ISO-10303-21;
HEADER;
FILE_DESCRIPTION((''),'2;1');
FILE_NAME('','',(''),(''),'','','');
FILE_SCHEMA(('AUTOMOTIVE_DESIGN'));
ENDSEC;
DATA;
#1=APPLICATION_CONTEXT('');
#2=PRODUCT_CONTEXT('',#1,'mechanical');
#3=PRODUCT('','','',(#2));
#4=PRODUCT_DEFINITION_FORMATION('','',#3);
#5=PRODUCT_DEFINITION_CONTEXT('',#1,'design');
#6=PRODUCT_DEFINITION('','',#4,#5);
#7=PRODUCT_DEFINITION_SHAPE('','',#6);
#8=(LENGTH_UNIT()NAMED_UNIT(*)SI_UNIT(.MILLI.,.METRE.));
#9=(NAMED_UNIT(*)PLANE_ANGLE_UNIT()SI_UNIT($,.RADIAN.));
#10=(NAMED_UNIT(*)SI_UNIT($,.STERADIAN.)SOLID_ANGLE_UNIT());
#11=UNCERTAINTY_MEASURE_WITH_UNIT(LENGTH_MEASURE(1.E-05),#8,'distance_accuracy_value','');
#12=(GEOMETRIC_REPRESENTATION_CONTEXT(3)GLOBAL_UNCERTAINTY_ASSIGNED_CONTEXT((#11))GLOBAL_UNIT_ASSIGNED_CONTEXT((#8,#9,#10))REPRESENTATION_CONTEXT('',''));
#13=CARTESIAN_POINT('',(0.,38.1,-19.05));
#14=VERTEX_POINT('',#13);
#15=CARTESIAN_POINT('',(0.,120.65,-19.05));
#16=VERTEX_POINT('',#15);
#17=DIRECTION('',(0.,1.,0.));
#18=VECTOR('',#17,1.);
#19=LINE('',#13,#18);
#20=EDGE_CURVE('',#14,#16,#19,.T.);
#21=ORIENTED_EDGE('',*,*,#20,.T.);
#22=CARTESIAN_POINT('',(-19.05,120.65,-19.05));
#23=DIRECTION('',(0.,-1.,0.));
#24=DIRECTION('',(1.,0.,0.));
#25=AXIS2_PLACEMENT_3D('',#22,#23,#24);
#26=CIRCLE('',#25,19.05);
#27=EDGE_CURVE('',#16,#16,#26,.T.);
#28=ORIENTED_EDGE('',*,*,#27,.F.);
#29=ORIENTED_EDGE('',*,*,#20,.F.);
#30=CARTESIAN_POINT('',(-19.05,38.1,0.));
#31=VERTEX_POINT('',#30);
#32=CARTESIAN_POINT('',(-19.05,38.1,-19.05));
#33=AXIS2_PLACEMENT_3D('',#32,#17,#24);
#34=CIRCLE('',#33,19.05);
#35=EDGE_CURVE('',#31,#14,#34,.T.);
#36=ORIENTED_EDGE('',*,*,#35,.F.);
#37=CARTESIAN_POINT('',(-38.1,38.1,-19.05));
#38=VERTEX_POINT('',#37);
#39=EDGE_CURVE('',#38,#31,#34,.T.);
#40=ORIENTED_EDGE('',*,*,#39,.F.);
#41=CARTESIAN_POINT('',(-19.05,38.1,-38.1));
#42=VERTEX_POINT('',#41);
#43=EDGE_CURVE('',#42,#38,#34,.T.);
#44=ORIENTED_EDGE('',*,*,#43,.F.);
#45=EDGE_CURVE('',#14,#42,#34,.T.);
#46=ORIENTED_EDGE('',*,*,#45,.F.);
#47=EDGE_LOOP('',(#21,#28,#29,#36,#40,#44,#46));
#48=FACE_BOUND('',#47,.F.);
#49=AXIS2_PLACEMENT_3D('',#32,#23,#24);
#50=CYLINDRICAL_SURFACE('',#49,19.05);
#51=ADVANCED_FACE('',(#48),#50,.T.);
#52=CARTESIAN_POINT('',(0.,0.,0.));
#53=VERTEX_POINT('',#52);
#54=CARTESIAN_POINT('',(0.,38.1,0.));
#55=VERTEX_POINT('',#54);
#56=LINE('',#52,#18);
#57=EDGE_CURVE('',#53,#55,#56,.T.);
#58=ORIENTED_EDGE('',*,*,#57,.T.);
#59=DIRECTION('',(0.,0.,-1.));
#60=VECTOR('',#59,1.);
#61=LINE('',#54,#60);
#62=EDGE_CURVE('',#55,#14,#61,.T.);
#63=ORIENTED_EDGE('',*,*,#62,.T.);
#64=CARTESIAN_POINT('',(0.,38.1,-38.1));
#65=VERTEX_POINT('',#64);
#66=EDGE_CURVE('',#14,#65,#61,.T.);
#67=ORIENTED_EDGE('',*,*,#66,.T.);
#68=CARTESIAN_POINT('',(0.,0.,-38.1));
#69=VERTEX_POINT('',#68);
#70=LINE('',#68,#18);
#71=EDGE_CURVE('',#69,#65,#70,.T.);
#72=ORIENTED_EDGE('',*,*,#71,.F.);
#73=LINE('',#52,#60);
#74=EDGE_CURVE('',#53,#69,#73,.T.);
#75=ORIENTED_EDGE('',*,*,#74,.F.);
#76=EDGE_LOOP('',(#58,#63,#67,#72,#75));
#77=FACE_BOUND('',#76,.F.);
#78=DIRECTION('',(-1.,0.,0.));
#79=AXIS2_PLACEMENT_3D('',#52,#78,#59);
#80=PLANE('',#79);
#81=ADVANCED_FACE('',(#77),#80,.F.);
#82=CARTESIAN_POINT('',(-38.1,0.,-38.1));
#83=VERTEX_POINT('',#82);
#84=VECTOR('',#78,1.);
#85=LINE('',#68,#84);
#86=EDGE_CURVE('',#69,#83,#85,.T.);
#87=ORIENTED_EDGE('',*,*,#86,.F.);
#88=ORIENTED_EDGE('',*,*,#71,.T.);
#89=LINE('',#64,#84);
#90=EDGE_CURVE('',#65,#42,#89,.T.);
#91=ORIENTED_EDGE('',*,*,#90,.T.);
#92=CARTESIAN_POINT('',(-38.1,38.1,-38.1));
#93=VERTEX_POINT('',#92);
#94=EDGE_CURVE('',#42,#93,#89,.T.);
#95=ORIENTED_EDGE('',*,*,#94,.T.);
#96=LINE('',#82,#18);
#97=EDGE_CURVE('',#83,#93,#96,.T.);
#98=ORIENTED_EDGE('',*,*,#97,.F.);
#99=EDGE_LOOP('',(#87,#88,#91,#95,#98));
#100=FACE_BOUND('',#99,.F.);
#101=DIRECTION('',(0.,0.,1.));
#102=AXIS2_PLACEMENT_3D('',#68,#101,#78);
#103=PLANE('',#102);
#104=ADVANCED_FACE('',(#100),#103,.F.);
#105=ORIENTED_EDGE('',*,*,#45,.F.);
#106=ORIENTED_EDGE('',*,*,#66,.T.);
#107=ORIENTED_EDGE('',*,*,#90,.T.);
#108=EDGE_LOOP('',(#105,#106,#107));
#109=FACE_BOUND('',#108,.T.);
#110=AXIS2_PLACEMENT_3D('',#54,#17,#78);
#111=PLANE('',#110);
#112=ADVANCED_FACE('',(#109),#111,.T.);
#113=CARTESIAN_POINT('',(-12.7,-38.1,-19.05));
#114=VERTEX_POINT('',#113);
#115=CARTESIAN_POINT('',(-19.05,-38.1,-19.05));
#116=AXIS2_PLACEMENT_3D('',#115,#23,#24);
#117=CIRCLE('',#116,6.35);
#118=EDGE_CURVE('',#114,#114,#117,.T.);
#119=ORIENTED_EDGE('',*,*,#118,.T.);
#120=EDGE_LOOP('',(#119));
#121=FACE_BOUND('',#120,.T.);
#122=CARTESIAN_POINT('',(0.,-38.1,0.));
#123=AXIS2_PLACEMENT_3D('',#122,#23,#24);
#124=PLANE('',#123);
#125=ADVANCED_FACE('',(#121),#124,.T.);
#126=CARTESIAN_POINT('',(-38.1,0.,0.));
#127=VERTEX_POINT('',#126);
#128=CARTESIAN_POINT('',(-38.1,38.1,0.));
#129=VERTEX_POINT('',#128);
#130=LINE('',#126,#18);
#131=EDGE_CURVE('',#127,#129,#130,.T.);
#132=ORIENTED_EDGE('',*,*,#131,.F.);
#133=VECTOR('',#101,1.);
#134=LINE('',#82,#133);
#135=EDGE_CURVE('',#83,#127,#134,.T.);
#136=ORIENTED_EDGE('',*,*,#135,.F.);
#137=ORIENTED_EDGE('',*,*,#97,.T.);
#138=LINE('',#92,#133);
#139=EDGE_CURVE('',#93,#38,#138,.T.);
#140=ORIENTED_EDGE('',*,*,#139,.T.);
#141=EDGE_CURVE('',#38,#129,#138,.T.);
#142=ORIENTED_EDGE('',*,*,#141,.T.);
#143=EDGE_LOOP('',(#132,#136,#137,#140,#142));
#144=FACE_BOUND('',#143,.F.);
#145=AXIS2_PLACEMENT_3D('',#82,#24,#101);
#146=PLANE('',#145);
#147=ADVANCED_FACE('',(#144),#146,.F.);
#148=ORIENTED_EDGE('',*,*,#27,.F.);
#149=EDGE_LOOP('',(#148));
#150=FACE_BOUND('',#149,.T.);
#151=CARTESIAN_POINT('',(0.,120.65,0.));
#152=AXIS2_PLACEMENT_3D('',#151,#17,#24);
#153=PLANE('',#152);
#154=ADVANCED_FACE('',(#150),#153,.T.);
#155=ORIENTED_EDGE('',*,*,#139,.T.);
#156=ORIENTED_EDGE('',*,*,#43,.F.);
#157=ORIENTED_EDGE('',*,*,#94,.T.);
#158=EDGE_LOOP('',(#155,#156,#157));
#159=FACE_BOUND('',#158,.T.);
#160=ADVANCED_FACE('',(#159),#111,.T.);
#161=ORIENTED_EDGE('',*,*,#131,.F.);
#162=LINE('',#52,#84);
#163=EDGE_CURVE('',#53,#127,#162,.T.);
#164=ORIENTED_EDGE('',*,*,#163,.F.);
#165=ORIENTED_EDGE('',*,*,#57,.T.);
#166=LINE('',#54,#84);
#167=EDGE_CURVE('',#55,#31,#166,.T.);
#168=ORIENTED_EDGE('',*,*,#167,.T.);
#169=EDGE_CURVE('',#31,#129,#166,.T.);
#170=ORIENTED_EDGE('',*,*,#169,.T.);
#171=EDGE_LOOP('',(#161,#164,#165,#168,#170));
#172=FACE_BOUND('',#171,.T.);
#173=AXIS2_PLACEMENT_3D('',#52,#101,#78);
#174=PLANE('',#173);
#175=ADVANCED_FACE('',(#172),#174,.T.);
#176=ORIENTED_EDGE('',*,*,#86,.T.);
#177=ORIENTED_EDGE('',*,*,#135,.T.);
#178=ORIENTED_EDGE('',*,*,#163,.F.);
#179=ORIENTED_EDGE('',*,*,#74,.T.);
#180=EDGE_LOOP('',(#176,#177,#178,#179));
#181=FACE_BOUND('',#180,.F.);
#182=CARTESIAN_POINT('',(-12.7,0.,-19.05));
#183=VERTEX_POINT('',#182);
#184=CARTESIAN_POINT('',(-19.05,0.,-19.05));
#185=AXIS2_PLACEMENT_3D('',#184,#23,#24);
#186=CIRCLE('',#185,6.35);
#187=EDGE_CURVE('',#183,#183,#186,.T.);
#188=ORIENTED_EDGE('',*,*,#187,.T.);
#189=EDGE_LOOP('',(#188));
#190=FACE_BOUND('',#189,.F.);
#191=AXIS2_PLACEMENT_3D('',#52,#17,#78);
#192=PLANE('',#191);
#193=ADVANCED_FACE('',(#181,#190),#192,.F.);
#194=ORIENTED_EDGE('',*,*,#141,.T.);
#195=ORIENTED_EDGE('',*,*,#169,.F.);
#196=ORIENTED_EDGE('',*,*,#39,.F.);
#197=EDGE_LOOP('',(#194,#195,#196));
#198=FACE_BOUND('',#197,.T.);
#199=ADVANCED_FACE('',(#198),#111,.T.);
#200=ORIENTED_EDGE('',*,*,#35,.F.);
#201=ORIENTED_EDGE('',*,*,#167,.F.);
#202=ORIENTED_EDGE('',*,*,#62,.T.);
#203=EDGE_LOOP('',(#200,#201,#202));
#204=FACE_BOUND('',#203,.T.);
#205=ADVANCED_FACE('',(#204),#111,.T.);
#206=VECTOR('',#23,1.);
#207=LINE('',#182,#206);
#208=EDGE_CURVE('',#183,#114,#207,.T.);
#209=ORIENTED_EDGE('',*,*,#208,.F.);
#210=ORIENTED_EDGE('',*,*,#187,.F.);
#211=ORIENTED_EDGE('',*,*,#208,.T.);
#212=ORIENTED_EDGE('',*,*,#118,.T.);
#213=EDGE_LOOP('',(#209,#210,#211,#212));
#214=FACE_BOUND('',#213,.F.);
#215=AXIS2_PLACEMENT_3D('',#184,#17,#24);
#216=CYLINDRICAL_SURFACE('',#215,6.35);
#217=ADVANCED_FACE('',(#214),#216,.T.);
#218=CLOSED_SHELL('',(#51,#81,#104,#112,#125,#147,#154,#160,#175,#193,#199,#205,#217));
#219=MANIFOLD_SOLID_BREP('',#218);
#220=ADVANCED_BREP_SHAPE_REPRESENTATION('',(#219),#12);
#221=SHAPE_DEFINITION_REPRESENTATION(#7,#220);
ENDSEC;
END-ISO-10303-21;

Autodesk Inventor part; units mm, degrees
ref_plane "YZ Plane" through (0, 0, 0) normal (1, 0, 0) x (0, 1, 0)
ref_plane "XZ Plane" through (0, 0, 0) normal (0, 1, 0) x (-1, 0, 0)
ref_plane "XY Plane" through (0, 0, 0) normal (0, 0, 1) x (1, 0, 0)
sketch "Sketch1" plane through (0, 0, 0) normal (0, 1, 0) x (-1, 0, 0)
  line L0 (0, 0) -> (38.1, 0)
  line L1 (0, 0) -> (0, -38.1)
  line L2 (0, -38.1) -> (38.1, -38.1)
  line L3 (38.1, -38.1) -> (38.1, 0)
  dimension "d0" = 38.1
  dimension "d2" = 38.1
extrude "Extrusion1" add sketch "Sketch1" along normal blind 38.1
sketch "Sketch2" plane through (0, 38.1, 0) normal (0, 1, 0) x (1, 0, 0)
  circle A0 centre (-19.05, 19.05) radius 19.05
  line L0 (-38.1, 0) -> (-38.1, 38.1) projected
  line L1 (-38.1, 38.1) -> (0, 38.1) projected
  point P0 (0, 0)
  dimension "d5" = 19.05
  dimension "d6" = 19.05
  dimension "d7" = 38.1
extrude "Extrusion2" add sketch "Sketch2" along normal blind 82.55 contours A0
sketch "Sketch3" plane through (0, 0, 0) normal (0, -1, 0) x (1, 0, 0)
  circle A0 centre (-19.05, -19.05) radius 6.35
  line L0 (0, -38.1) -> (0, 0) projected
  line L1 (0, 0) -> (-38.1, 0) projected
  dimension "d10" = 12.7
  dimension "d11" = 19.05
  dimension "d12" = 19.05
extrude "Extrusion3" add sketch "Sketch3" along normal blind 38.1
properties part number "NeveRest motor"
